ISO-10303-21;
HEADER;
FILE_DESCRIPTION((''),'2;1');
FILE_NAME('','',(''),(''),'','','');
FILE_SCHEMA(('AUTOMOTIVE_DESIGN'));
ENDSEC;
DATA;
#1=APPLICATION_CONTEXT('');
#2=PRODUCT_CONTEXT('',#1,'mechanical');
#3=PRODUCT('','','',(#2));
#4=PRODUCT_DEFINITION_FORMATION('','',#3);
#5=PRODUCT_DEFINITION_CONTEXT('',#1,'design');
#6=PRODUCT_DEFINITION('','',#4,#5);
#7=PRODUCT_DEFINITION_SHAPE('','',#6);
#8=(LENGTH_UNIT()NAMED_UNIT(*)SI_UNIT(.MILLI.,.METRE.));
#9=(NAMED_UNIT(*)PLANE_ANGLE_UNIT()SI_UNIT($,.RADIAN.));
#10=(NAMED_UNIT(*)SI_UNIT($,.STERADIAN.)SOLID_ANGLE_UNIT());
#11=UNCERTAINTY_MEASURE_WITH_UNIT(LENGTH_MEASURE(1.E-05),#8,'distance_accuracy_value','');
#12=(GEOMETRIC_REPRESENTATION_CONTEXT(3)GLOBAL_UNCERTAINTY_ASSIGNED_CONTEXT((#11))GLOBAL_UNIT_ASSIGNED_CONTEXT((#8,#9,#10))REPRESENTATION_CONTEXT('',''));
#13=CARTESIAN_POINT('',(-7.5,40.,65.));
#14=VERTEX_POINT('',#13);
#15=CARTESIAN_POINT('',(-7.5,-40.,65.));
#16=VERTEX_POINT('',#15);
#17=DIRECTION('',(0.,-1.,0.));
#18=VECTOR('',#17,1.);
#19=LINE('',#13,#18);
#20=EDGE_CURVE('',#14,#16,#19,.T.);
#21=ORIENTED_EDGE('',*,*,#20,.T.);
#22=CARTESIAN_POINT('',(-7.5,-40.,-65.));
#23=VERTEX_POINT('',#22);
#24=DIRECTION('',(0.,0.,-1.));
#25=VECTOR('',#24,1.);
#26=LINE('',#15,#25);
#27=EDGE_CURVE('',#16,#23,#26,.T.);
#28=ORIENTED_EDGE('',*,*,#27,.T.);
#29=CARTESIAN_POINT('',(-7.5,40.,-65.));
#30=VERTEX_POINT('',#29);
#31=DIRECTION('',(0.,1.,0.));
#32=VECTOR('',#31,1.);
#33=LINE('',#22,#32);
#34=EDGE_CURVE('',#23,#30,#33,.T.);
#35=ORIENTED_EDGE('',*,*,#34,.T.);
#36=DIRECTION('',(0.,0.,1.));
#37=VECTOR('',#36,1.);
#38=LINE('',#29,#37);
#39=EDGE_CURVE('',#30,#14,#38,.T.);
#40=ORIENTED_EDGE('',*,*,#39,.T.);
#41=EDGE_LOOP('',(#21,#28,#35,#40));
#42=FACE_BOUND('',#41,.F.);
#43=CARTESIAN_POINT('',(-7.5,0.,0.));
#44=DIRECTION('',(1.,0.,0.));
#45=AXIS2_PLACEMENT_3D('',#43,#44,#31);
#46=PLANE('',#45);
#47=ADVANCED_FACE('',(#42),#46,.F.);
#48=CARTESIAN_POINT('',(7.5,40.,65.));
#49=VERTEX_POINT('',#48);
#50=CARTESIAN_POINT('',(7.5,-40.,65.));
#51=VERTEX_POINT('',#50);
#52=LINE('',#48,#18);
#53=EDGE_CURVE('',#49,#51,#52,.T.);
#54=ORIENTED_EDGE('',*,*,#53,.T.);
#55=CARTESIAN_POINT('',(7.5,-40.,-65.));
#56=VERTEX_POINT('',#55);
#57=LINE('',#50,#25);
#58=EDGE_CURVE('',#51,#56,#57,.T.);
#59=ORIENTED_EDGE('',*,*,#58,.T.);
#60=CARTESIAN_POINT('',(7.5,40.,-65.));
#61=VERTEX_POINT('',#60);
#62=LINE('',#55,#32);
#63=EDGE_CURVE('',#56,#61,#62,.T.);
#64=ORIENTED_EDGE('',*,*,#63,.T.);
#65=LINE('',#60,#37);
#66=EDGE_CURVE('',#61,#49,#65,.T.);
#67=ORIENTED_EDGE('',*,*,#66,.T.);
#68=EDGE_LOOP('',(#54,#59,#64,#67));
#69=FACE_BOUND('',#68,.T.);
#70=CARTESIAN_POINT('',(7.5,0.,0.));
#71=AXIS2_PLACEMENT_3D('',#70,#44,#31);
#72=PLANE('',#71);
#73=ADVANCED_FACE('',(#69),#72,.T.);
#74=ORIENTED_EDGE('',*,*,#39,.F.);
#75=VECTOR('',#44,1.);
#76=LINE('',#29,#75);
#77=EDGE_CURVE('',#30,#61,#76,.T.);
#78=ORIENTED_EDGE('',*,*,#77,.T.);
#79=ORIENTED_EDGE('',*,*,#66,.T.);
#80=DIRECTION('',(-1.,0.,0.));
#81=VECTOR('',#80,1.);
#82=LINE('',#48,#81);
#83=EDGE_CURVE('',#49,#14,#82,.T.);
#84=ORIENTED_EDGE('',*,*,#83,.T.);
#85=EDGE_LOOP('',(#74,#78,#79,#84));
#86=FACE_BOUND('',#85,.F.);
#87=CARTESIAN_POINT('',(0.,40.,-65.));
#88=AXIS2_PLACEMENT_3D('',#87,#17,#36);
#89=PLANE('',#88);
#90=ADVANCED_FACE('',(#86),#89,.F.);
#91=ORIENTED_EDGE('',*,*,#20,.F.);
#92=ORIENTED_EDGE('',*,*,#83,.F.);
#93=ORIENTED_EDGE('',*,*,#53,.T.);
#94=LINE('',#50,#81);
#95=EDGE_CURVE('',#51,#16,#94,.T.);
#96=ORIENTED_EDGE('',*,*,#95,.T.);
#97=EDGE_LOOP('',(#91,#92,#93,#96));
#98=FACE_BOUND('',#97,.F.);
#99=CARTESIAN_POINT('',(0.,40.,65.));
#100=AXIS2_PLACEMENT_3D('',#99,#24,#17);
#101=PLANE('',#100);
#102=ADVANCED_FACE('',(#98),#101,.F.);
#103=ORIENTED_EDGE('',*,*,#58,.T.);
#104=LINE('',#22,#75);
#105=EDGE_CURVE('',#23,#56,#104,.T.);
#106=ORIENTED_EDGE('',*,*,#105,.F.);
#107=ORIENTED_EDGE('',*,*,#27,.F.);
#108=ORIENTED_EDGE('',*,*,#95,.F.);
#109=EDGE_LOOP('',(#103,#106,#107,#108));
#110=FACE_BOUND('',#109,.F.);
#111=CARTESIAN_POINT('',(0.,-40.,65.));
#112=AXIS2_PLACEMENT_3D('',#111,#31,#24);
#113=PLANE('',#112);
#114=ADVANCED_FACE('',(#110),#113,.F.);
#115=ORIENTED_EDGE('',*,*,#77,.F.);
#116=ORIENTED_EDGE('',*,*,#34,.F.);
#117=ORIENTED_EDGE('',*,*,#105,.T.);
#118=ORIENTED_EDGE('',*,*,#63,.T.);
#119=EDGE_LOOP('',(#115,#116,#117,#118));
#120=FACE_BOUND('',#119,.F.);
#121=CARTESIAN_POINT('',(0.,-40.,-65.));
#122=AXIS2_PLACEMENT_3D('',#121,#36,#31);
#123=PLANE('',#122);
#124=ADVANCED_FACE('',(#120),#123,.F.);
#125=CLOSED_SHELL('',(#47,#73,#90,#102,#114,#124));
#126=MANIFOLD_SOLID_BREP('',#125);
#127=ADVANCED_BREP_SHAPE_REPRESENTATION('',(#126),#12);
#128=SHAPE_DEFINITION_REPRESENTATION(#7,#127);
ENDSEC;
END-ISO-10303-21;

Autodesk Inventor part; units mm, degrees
ref_plane "YZ Plane" through (0, 0, 0) normal (1, 0, 0) x (0, 1, 0)
ref_plane "XZ Plane" through (0, 0, 0) normal (0, 1, 0) x (-1, 0, 0)
ref_plane "XY Plane" through (0, 0, 0) normal (0, 0, 1) x (1, 0, 0)
sketch "Sketch1" plane through (0, 0, 0) normal (1, 0, 0) x (0, 1, 0)
  line L0 (-40, -65) -> (40, -65)
  line L1 (40, -65) -> (40, 65)
  line L2 (40, 65) -> (-40, 65)
  line L3 (-40, 65) -> (-40, -65)
  line L4 (-40, -65) -> (40, 65) construction
  line L5 (40, -65) -> (-40, 65) construction
  point P0 (0, 0)
  dimension "d0" = 80
  dimension "d1" = 130
extrude "Extrusion1" add sketch "Sketch1" along normal mid plane 15
sketch "Sketch2" plane through (7.5, 0, 0) normal (1, 0, 0) x (0, 0, -1)
  point P0 (0, 0)
properties part number "Part4dia16"
